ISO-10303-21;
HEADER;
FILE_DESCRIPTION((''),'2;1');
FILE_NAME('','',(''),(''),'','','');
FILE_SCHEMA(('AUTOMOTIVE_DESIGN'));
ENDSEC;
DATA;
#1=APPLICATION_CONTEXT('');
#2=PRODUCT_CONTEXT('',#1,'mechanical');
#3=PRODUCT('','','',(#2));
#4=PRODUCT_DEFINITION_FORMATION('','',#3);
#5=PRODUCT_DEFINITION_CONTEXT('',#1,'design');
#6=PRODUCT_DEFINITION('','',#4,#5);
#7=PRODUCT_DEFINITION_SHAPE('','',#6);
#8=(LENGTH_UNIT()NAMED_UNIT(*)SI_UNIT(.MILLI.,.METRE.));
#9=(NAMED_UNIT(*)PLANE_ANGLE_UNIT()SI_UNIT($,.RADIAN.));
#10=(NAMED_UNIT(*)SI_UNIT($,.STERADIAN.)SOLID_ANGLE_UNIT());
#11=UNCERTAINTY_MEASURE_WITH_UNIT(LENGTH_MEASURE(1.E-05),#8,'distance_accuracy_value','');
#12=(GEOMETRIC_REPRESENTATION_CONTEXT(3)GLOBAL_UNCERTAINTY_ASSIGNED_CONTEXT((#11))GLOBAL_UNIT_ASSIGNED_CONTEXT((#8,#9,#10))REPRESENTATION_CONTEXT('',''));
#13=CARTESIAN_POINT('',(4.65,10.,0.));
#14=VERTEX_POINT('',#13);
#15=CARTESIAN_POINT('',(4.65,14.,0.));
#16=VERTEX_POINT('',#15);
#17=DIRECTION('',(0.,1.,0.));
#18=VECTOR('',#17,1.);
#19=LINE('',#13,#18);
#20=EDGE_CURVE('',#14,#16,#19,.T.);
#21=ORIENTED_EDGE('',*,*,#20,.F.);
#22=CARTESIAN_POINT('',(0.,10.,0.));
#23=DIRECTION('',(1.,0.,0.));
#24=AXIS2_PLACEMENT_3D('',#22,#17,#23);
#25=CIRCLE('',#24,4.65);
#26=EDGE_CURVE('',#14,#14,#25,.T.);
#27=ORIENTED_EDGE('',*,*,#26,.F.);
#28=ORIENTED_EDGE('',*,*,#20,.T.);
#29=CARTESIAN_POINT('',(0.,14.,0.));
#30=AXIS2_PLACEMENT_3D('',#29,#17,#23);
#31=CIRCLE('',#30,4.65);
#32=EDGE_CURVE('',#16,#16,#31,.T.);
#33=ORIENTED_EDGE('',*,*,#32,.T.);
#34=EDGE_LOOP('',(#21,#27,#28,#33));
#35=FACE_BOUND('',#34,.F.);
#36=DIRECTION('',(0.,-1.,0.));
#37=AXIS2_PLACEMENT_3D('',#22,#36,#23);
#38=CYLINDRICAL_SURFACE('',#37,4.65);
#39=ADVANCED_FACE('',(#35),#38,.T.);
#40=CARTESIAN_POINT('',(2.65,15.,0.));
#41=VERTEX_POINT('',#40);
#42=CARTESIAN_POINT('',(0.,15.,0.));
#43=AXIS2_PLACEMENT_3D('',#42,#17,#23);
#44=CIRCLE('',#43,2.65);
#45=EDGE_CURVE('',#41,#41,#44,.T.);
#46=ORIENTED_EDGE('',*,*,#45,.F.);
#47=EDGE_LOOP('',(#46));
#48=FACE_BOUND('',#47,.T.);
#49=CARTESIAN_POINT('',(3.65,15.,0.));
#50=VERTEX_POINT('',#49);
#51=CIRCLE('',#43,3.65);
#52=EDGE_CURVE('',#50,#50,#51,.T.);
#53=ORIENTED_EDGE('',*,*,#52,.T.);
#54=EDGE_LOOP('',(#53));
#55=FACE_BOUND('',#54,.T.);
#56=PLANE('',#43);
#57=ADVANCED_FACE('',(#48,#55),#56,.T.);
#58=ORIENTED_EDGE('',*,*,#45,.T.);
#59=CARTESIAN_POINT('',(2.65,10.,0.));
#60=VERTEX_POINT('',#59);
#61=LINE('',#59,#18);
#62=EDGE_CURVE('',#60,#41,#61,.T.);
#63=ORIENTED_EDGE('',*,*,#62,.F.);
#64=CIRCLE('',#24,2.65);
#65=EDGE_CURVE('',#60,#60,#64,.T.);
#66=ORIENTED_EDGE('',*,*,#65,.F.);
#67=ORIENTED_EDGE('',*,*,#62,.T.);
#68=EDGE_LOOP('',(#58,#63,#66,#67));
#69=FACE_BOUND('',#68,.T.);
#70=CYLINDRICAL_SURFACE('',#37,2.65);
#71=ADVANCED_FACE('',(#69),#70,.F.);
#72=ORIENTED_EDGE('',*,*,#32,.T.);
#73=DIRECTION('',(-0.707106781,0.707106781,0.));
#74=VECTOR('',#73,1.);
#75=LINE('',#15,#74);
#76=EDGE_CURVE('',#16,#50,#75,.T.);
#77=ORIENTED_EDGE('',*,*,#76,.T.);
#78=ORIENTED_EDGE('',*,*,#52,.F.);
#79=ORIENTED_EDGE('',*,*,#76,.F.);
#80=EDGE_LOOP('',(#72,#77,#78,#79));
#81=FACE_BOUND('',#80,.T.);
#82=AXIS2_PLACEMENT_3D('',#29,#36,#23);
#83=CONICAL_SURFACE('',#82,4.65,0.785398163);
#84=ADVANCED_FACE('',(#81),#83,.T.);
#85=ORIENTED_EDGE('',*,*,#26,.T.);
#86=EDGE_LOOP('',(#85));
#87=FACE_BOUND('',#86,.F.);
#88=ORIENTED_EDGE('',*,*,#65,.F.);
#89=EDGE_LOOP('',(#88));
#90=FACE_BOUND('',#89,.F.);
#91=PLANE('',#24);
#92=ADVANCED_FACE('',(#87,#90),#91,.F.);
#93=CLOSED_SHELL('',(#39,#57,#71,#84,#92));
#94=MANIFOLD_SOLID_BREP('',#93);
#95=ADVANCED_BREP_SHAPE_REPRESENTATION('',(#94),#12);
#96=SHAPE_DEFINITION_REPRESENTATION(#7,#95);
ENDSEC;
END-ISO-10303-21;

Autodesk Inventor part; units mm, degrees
ref_plane "YZ Plane" through (0, 0, 0) normal (1, 0, 0) x (0, 1, 0)
ref_plane "XZ Plane" through (0, 0, 0) normal (0, 1, 0) x (-1, 0, 0)
ref_plane "Work Plane1" through (0, 10, 0) normal (0, 1, 0) x (1, 0, 0)
sketch "Sketch2" plane through (0, 10, 0) normal (0, 1, 0) x (1, 0, 0)
  circle A0 centre (0, 0) radius 2.65
  circle A1 centre (0, 0) radius 4.65
  dimension "d4" = 2
extrude "Extrusion2" add sketch "Sketch2" along normal blind 5
chamfer "Chamfer2" distance 1 angle 45 1 edges at (-4.65, 15, 0)
properties part number "PLUG"
